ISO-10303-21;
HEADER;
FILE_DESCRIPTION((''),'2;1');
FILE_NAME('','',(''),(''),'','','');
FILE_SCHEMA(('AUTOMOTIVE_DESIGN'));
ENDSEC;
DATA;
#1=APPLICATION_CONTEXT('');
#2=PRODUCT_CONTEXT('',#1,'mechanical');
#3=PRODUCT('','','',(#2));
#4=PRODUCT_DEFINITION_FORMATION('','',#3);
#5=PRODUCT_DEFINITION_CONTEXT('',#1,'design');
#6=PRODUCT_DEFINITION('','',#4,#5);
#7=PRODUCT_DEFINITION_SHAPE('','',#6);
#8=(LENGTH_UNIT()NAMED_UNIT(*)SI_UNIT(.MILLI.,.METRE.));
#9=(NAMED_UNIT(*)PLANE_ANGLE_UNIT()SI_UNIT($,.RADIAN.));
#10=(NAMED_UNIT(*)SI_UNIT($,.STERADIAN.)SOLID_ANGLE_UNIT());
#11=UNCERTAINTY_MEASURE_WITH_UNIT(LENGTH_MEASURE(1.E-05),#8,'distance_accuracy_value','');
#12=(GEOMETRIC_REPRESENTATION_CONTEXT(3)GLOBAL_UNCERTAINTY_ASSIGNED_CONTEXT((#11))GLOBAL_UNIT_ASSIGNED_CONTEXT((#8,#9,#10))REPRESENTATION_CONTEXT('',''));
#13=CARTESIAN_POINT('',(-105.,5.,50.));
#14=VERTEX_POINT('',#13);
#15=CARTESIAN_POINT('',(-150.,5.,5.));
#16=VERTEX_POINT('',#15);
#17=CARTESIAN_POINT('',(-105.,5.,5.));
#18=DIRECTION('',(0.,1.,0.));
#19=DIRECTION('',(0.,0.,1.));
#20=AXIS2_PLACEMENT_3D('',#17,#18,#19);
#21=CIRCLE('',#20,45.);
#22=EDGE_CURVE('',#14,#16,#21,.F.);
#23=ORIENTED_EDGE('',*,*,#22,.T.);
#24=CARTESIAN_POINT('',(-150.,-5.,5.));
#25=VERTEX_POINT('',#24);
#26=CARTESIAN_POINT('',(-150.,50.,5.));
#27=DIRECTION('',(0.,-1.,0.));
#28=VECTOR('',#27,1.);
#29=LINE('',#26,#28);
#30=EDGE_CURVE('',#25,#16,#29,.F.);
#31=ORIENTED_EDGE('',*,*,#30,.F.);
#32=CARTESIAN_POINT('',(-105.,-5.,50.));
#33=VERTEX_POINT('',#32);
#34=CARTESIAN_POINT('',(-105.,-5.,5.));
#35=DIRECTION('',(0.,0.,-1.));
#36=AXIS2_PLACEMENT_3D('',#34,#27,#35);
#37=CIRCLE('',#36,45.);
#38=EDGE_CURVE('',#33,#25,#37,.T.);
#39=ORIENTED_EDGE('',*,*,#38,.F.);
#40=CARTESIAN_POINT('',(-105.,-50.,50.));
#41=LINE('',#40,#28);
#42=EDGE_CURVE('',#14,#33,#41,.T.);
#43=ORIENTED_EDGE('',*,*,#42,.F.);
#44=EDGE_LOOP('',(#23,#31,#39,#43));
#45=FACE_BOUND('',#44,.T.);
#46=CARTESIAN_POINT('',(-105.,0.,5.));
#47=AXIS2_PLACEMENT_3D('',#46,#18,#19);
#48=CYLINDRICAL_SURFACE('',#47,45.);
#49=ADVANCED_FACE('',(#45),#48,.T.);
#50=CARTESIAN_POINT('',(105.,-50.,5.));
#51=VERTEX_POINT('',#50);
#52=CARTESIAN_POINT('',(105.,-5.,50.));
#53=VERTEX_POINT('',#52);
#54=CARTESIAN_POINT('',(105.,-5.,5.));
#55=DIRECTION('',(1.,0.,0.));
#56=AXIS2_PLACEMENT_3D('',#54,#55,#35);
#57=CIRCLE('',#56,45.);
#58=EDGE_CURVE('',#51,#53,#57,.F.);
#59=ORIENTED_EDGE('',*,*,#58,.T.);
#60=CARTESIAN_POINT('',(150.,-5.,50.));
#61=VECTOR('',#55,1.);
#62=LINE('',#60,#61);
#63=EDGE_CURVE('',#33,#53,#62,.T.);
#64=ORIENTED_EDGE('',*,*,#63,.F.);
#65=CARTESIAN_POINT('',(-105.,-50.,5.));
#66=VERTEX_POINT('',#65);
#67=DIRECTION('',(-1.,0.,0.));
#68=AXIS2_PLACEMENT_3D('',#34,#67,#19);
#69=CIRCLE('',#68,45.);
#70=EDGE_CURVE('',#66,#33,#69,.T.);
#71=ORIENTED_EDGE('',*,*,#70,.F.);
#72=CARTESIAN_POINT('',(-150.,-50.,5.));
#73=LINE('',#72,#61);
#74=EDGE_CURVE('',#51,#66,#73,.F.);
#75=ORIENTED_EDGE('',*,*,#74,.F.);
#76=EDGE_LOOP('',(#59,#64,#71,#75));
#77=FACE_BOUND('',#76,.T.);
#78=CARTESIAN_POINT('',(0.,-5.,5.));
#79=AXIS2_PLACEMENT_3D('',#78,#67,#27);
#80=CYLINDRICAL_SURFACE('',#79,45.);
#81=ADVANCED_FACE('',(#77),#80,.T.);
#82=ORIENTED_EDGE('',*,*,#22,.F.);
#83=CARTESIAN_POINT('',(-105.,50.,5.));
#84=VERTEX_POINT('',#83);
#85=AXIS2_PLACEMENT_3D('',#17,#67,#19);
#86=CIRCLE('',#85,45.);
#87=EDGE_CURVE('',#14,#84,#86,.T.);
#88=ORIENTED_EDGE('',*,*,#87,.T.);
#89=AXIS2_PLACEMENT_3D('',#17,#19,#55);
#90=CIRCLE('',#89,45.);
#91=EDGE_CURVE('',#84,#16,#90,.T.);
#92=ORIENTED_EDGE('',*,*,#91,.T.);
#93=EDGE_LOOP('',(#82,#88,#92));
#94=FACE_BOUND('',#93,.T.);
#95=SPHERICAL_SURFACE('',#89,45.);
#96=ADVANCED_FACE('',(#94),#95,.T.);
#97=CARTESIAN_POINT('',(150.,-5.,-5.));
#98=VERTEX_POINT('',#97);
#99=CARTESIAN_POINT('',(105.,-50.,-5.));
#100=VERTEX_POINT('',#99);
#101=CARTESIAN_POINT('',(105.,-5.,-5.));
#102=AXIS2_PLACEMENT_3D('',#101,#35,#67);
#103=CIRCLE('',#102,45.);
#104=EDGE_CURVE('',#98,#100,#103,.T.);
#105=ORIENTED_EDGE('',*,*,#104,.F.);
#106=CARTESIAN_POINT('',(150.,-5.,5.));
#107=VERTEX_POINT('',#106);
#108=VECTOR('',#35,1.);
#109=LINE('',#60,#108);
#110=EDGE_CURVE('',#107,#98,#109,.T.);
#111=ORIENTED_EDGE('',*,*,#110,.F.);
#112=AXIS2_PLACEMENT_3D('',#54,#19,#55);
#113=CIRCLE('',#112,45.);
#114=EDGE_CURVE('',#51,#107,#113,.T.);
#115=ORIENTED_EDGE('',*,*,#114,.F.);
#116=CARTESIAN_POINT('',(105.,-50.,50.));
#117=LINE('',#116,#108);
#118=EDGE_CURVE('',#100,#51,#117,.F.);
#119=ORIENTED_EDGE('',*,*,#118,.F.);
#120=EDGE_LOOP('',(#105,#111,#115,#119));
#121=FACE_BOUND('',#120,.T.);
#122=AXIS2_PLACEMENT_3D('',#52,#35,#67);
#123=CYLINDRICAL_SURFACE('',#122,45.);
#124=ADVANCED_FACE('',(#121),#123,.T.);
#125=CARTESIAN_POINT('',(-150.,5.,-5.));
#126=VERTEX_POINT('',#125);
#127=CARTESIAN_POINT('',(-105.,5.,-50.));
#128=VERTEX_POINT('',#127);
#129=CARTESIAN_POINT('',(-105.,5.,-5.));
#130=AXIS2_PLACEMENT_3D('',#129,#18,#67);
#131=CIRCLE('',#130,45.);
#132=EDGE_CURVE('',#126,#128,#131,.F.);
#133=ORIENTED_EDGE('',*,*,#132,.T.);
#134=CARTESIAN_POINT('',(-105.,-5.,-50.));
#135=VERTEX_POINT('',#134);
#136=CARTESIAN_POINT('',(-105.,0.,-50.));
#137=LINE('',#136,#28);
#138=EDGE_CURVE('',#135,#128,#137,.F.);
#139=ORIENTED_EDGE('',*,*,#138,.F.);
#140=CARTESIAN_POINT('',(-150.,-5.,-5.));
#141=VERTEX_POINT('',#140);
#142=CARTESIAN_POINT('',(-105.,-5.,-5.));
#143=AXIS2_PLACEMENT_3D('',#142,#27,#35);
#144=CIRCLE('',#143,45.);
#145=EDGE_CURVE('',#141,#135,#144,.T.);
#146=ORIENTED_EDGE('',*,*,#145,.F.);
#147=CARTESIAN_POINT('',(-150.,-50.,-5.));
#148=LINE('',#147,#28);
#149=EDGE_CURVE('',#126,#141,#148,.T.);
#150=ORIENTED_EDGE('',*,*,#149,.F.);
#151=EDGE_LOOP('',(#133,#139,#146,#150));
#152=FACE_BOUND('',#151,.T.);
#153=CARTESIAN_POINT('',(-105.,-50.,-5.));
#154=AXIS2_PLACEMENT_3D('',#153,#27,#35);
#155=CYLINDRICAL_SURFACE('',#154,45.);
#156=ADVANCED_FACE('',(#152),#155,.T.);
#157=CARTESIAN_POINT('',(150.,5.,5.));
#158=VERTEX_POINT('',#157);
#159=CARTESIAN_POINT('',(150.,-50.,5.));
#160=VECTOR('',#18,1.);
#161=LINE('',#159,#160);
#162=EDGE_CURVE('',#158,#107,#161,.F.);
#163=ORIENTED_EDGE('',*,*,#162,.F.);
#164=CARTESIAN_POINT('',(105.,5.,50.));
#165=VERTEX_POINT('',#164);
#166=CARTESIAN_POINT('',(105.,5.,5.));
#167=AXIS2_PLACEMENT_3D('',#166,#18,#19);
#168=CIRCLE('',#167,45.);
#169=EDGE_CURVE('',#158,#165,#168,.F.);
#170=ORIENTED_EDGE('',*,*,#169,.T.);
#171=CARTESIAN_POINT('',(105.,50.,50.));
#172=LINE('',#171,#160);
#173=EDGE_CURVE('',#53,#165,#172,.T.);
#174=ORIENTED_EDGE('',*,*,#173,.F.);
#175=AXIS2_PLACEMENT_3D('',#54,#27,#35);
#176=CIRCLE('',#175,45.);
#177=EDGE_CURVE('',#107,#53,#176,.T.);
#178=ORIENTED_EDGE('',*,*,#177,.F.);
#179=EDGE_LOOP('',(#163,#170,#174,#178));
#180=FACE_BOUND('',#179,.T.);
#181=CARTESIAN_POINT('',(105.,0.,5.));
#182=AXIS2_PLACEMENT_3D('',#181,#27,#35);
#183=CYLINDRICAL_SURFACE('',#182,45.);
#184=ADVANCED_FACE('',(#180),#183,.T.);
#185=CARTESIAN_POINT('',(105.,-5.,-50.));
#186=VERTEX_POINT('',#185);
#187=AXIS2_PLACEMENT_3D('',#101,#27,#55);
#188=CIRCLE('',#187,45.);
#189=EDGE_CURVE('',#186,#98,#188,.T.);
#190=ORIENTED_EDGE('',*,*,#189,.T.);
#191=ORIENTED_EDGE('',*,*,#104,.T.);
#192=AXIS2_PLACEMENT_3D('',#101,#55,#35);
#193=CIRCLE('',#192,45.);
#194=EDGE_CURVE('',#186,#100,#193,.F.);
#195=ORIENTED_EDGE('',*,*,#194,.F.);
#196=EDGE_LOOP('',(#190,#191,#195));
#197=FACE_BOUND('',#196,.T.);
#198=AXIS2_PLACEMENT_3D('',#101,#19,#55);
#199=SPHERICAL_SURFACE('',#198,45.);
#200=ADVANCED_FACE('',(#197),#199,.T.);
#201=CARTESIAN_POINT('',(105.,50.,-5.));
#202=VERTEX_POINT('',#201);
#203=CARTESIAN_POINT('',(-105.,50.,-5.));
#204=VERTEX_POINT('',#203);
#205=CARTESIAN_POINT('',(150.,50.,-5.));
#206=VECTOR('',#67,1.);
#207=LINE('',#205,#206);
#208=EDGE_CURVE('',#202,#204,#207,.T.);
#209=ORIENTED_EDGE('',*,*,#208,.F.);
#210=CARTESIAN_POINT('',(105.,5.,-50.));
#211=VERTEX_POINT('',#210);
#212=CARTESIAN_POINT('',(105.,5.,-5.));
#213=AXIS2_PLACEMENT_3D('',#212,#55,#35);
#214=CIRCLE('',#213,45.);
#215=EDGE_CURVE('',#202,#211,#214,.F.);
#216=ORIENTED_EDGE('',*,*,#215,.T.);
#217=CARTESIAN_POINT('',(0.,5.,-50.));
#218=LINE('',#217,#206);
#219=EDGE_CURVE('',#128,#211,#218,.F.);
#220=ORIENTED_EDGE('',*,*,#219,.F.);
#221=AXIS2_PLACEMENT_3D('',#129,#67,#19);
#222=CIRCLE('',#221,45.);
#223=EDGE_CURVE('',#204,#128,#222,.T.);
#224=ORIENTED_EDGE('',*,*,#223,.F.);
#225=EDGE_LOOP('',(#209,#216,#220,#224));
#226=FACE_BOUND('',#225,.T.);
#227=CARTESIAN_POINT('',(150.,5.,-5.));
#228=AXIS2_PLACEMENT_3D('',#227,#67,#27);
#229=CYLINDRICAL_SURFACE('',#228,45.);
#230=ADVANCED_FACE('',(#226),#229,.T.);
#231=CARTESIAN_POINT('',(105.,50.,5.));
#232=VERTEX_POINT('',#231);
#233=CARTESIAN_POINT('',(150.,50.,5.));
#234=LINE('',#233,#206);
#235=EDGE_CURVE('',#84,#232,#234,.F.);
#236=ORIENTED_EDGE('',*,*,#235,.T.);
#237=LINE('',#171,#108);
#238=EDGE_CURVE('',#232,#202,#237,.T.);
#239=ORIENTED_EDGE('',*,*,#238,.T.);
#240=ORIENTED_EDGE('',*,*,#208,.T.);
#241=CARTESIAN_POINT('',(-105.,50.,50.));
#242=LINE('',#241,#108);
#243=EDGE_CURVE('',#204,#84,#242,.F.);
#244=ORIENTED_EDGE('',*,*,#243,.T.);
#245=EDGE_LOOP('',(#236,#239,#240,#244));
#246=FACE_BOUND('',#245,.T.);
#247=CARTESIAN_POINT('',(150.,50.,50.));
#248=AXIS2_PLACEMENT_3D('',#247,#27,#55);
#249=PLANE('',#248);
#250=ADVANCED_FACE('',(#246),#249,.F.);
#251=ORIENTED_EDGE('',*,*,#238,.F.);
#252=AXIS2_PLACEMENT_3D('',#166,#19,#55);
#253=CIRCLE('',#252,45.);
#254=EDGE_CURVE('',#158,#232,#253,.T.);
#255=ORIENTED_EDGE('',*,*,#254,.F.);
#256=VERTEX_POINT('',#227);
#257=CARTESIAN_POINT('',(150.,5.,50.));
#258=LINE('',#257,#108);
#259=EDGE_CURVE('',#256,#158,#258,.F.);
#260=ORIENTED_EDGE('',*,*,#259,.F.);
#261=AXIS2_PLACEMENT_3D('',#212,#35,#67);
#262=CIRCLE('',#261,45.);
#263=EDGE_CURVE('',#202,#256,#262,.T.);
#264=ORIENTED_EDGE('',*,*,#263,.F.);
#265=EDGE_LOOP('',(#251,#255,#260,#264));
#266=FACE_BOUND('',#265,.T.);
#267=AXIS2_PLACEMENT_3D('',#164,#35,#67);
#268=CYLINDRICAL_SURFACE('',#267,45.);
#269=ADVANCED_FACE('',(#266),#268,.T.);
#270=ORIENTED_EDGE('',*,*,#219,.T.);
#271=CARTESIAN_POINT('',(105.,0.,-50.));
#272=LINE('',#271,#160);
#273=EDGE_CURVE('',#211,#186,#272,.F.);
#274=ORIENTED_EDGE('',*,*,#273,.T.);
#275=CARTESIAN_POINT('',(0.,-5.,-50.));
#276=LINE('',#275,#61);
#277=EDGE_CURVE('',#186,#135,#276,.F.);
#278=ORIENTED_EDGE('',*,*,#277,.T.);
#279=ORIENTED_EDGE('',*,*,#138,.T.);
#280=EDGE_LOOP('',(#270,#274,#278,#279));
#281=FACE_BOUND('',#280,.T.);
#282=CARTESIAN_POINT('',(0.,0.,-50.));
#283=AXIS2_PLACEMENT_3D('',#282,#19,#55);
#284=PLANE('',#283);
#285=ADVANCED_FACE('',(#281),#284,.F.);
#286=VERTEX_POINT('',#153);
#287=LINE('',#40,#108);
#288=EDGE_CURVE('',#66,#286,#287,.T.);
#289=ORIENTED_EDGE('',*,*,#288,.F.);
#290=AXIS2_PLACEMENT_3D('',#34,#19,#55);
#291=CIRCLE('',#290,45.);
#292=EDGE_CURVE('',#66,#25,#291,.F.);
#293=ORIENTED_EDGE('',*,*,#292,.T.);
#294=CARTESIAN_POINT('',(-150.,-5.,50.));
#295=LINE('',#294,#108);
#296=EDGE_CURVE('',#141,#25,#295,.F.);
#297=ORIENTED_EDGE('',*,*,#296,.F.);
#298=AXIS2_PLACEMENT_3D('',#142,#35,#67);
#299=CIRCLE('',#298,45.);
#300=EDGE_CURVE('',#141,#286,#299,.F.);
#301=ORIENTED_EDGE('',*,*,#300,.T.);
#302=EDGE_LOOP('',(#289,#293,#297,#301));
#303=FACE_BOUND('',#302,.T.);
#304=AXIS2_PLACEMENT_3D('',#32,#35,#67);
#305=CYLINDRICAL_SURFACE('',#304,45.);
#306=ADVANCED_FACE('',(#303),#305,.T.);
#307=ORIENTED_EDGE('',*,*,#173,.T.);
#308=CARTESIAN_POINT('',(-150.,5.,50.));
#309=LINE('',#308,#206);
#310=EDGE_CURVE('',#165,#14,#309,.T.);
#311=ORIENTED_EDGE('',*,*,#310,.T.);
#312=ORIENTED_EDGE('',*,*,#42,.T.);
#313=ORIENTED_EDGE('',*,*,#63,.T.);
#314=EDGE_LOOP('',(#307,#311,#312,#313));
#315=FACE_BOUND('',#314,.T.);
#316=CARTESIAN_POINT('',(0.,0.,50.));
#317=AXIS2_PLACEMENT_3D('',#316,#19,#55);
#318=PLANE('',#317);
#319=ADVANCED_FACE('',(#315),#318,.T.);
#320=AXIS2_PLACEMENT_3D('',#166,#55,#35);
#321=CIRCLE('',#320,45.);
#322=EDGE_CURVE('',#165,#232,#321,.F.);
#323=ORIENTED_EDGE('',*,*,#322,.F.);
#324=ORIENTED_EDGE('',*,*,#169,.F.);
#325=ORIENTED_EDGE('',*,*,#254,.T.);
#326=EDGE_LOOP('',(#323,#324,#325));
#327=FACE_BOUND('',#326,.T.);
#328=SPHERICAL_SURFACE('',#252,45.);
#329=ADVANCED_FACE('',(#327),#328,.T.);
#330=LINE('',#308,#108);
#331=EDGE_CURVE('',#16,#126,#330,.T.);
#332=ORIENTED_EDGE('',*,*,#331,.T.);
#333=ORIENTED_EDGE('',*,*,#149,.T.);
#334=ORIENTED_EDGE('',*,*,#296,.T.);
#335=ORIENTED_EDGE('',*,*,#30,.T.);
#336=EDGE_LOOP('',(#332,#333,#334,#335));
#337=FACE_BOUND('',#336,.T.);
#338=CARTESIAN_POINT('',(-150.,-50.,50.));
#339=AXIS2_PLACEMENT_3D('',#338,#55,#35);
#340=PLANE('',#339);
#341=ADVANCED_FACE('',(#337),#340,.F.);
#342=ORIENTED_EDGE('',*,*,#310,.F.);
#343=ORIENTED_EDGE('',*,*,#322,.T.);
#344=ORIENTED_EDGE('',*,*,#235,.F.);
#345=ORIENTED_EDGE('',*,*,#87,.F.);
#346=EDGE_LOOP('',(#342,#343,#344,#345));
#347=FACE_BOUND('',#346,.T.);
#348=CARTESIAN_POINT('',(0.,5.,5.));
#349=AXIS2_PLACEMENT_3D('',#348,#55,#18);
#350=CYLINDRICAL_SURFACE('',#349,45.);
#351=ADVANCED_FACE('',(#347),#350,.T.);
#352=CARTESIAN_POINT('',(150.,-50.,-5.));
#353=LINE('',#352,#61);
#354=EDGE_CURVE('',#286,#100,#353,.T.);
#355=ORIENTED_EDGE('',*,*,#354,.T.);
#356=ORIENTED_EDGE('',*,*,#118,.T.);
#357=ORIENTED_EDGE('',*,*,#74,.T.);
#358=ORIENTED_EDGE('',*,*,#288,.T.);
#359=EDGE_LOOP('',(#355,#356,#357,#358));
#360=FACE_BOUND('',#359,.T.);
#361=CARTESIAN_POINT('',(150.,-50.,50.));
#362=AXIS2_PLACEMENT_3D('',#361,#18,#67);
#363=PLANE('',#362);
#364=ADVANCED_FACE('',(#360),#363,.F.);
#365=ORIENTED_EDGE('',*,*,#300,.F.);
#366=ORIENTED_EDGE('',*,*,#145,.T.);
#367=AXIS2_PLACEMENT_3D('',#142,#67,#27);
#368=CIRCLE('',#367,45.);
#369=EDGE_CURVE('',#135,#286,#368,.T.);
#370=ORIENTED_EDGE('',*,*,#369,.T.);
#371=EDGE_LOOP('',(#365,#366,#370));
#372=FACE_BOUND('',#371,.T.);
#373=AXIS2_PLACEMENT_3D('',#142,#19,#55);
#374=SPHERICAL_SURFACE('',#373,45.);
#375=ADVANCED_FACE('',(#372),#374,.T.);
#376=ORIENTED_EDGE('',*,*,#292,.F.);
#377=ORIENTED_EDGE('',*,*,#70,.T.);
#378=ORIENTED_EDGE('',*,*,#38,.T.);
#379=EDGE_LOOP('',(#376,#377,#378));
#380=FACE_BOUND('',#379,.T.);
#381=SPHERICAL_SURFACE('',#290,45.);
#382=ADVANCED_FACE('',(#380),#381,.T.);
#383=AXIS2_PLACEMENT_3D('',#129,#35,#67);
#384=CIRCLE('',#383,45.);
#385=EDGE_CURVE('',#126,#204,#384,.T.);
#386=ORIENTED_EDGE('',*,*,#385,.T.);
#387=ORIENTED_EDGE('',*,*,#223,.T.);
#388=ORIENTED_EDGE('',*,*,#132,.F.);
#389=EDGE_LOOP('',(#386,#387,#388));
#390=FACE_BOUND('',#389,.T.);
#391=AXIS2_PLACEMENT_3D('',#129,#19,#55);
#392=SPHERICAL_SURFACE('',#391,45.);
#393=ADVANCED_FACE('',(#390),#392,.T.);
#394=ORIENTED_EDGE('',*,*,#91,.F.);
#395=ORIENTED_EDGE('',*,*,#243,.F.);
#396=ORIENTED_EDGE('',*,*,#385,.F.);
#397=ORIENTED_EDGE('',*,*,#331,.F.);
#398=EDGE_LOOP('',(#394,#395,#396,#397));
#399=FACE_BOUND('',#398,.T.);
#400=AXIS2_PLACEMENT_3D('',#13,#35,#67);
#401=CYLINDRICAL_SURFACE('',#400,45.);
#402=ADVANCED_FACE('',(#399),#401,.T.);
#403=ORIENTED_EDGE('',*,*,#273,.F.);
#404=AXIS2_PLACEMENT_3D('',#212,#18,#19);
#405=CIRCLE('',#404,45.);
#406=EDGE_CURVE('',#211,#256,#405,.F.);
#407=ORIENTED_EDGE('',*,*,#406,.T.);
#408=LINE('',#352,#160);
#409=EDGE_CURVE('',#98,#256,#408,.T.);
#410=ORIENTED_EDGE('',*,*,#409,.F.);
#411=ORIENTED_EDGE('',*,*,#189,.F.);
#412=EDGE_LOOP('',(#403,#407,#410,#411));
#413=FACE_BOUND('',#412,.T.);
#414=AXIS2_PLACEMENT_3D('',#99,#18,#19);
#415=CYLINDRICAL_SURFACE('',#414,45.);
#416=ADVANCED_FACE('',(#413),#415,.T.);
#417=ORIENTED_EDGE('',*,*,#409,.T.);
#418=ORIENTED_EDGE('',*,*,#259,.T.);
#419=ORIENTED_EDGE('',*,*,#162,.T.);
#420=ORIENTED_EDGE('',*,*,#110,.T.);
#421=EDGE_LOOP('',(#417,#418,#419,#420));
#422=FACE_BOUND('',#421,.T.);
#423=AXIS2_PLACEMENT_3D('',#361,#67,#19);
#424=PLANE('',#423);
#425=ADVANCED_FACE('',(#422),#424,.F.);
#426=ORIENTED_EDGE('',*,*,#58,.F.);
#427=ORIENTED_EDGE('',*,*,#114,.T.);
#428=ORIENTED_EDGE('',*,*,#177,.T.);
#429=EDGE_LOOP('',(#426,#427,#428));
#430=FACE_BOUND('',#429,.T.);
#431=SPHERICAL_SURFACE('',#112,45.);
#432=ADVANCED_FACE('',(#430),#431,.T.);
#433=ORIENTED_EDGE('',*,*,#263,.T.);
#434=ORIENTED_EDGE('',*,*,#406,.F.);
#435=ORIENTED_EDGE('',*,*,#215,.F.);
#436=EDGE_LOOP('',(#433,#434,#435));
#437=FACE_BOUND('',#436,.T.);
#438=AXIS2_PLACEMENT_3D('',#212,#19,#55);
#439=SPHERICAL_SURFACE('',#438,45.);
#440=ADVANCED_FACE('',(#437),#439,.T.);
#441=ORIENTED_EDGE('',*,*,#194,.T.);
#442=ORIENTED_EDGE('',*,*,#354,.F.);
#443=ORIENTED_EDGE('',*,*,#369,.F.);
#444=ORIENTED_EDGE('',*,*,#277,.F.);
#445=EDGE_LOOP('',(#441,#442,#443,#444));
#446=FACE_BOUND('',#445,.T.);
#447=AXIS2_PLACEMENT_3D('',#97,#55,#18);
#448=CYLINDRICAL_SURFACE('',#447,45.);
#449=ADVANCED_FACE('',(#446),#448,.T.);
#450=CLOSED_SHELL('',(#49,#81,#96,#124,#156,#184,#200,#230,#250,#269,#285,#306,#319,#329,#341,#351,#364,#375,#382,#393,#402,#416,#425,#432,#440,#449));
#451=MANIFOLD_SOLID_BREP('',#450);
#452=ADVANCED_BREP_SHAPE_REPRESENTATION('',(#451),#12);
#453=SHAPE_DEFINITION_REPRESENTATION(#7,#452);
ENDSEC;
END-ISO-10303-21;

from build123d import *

# Parameters (mm, degrees)
SKETCH1_W           = 300
SKETCH1_H           = 100
BOSS_EXTRUDE1_DEPTH = 50
FILLET1_R           = 45


with BuildPart() as part:
    # Sketch1 → Boss-Extrude1 (new, symmetric)
    with BuildSketch(Plane.XY):
        Rectangle(SKETCH1_W, SKETCH1_H)
    extrude(amount=BOSS_EXTRUDE1_DEPTH, both=True)

    # Fillet1
    fillet1_edges = [part.edges().sort_by_distance(p)[0] for p in [
        (150, 0, 50),
        (0, 50, 50),
        (-150, 0, 50),
        (0, 50, -50),
        (150, 0, -50),
        (0, -50, -50),
        (-150, 0, -50),
        (-150, 50, 0),
        (150, 50, 0),
        (150, -50, 0),
        (-150, -50, 0),
        (0, -50, 50),
    ]]
    fillet(fillet1_edges, radius=FILLET1_R)


solid = part.part
